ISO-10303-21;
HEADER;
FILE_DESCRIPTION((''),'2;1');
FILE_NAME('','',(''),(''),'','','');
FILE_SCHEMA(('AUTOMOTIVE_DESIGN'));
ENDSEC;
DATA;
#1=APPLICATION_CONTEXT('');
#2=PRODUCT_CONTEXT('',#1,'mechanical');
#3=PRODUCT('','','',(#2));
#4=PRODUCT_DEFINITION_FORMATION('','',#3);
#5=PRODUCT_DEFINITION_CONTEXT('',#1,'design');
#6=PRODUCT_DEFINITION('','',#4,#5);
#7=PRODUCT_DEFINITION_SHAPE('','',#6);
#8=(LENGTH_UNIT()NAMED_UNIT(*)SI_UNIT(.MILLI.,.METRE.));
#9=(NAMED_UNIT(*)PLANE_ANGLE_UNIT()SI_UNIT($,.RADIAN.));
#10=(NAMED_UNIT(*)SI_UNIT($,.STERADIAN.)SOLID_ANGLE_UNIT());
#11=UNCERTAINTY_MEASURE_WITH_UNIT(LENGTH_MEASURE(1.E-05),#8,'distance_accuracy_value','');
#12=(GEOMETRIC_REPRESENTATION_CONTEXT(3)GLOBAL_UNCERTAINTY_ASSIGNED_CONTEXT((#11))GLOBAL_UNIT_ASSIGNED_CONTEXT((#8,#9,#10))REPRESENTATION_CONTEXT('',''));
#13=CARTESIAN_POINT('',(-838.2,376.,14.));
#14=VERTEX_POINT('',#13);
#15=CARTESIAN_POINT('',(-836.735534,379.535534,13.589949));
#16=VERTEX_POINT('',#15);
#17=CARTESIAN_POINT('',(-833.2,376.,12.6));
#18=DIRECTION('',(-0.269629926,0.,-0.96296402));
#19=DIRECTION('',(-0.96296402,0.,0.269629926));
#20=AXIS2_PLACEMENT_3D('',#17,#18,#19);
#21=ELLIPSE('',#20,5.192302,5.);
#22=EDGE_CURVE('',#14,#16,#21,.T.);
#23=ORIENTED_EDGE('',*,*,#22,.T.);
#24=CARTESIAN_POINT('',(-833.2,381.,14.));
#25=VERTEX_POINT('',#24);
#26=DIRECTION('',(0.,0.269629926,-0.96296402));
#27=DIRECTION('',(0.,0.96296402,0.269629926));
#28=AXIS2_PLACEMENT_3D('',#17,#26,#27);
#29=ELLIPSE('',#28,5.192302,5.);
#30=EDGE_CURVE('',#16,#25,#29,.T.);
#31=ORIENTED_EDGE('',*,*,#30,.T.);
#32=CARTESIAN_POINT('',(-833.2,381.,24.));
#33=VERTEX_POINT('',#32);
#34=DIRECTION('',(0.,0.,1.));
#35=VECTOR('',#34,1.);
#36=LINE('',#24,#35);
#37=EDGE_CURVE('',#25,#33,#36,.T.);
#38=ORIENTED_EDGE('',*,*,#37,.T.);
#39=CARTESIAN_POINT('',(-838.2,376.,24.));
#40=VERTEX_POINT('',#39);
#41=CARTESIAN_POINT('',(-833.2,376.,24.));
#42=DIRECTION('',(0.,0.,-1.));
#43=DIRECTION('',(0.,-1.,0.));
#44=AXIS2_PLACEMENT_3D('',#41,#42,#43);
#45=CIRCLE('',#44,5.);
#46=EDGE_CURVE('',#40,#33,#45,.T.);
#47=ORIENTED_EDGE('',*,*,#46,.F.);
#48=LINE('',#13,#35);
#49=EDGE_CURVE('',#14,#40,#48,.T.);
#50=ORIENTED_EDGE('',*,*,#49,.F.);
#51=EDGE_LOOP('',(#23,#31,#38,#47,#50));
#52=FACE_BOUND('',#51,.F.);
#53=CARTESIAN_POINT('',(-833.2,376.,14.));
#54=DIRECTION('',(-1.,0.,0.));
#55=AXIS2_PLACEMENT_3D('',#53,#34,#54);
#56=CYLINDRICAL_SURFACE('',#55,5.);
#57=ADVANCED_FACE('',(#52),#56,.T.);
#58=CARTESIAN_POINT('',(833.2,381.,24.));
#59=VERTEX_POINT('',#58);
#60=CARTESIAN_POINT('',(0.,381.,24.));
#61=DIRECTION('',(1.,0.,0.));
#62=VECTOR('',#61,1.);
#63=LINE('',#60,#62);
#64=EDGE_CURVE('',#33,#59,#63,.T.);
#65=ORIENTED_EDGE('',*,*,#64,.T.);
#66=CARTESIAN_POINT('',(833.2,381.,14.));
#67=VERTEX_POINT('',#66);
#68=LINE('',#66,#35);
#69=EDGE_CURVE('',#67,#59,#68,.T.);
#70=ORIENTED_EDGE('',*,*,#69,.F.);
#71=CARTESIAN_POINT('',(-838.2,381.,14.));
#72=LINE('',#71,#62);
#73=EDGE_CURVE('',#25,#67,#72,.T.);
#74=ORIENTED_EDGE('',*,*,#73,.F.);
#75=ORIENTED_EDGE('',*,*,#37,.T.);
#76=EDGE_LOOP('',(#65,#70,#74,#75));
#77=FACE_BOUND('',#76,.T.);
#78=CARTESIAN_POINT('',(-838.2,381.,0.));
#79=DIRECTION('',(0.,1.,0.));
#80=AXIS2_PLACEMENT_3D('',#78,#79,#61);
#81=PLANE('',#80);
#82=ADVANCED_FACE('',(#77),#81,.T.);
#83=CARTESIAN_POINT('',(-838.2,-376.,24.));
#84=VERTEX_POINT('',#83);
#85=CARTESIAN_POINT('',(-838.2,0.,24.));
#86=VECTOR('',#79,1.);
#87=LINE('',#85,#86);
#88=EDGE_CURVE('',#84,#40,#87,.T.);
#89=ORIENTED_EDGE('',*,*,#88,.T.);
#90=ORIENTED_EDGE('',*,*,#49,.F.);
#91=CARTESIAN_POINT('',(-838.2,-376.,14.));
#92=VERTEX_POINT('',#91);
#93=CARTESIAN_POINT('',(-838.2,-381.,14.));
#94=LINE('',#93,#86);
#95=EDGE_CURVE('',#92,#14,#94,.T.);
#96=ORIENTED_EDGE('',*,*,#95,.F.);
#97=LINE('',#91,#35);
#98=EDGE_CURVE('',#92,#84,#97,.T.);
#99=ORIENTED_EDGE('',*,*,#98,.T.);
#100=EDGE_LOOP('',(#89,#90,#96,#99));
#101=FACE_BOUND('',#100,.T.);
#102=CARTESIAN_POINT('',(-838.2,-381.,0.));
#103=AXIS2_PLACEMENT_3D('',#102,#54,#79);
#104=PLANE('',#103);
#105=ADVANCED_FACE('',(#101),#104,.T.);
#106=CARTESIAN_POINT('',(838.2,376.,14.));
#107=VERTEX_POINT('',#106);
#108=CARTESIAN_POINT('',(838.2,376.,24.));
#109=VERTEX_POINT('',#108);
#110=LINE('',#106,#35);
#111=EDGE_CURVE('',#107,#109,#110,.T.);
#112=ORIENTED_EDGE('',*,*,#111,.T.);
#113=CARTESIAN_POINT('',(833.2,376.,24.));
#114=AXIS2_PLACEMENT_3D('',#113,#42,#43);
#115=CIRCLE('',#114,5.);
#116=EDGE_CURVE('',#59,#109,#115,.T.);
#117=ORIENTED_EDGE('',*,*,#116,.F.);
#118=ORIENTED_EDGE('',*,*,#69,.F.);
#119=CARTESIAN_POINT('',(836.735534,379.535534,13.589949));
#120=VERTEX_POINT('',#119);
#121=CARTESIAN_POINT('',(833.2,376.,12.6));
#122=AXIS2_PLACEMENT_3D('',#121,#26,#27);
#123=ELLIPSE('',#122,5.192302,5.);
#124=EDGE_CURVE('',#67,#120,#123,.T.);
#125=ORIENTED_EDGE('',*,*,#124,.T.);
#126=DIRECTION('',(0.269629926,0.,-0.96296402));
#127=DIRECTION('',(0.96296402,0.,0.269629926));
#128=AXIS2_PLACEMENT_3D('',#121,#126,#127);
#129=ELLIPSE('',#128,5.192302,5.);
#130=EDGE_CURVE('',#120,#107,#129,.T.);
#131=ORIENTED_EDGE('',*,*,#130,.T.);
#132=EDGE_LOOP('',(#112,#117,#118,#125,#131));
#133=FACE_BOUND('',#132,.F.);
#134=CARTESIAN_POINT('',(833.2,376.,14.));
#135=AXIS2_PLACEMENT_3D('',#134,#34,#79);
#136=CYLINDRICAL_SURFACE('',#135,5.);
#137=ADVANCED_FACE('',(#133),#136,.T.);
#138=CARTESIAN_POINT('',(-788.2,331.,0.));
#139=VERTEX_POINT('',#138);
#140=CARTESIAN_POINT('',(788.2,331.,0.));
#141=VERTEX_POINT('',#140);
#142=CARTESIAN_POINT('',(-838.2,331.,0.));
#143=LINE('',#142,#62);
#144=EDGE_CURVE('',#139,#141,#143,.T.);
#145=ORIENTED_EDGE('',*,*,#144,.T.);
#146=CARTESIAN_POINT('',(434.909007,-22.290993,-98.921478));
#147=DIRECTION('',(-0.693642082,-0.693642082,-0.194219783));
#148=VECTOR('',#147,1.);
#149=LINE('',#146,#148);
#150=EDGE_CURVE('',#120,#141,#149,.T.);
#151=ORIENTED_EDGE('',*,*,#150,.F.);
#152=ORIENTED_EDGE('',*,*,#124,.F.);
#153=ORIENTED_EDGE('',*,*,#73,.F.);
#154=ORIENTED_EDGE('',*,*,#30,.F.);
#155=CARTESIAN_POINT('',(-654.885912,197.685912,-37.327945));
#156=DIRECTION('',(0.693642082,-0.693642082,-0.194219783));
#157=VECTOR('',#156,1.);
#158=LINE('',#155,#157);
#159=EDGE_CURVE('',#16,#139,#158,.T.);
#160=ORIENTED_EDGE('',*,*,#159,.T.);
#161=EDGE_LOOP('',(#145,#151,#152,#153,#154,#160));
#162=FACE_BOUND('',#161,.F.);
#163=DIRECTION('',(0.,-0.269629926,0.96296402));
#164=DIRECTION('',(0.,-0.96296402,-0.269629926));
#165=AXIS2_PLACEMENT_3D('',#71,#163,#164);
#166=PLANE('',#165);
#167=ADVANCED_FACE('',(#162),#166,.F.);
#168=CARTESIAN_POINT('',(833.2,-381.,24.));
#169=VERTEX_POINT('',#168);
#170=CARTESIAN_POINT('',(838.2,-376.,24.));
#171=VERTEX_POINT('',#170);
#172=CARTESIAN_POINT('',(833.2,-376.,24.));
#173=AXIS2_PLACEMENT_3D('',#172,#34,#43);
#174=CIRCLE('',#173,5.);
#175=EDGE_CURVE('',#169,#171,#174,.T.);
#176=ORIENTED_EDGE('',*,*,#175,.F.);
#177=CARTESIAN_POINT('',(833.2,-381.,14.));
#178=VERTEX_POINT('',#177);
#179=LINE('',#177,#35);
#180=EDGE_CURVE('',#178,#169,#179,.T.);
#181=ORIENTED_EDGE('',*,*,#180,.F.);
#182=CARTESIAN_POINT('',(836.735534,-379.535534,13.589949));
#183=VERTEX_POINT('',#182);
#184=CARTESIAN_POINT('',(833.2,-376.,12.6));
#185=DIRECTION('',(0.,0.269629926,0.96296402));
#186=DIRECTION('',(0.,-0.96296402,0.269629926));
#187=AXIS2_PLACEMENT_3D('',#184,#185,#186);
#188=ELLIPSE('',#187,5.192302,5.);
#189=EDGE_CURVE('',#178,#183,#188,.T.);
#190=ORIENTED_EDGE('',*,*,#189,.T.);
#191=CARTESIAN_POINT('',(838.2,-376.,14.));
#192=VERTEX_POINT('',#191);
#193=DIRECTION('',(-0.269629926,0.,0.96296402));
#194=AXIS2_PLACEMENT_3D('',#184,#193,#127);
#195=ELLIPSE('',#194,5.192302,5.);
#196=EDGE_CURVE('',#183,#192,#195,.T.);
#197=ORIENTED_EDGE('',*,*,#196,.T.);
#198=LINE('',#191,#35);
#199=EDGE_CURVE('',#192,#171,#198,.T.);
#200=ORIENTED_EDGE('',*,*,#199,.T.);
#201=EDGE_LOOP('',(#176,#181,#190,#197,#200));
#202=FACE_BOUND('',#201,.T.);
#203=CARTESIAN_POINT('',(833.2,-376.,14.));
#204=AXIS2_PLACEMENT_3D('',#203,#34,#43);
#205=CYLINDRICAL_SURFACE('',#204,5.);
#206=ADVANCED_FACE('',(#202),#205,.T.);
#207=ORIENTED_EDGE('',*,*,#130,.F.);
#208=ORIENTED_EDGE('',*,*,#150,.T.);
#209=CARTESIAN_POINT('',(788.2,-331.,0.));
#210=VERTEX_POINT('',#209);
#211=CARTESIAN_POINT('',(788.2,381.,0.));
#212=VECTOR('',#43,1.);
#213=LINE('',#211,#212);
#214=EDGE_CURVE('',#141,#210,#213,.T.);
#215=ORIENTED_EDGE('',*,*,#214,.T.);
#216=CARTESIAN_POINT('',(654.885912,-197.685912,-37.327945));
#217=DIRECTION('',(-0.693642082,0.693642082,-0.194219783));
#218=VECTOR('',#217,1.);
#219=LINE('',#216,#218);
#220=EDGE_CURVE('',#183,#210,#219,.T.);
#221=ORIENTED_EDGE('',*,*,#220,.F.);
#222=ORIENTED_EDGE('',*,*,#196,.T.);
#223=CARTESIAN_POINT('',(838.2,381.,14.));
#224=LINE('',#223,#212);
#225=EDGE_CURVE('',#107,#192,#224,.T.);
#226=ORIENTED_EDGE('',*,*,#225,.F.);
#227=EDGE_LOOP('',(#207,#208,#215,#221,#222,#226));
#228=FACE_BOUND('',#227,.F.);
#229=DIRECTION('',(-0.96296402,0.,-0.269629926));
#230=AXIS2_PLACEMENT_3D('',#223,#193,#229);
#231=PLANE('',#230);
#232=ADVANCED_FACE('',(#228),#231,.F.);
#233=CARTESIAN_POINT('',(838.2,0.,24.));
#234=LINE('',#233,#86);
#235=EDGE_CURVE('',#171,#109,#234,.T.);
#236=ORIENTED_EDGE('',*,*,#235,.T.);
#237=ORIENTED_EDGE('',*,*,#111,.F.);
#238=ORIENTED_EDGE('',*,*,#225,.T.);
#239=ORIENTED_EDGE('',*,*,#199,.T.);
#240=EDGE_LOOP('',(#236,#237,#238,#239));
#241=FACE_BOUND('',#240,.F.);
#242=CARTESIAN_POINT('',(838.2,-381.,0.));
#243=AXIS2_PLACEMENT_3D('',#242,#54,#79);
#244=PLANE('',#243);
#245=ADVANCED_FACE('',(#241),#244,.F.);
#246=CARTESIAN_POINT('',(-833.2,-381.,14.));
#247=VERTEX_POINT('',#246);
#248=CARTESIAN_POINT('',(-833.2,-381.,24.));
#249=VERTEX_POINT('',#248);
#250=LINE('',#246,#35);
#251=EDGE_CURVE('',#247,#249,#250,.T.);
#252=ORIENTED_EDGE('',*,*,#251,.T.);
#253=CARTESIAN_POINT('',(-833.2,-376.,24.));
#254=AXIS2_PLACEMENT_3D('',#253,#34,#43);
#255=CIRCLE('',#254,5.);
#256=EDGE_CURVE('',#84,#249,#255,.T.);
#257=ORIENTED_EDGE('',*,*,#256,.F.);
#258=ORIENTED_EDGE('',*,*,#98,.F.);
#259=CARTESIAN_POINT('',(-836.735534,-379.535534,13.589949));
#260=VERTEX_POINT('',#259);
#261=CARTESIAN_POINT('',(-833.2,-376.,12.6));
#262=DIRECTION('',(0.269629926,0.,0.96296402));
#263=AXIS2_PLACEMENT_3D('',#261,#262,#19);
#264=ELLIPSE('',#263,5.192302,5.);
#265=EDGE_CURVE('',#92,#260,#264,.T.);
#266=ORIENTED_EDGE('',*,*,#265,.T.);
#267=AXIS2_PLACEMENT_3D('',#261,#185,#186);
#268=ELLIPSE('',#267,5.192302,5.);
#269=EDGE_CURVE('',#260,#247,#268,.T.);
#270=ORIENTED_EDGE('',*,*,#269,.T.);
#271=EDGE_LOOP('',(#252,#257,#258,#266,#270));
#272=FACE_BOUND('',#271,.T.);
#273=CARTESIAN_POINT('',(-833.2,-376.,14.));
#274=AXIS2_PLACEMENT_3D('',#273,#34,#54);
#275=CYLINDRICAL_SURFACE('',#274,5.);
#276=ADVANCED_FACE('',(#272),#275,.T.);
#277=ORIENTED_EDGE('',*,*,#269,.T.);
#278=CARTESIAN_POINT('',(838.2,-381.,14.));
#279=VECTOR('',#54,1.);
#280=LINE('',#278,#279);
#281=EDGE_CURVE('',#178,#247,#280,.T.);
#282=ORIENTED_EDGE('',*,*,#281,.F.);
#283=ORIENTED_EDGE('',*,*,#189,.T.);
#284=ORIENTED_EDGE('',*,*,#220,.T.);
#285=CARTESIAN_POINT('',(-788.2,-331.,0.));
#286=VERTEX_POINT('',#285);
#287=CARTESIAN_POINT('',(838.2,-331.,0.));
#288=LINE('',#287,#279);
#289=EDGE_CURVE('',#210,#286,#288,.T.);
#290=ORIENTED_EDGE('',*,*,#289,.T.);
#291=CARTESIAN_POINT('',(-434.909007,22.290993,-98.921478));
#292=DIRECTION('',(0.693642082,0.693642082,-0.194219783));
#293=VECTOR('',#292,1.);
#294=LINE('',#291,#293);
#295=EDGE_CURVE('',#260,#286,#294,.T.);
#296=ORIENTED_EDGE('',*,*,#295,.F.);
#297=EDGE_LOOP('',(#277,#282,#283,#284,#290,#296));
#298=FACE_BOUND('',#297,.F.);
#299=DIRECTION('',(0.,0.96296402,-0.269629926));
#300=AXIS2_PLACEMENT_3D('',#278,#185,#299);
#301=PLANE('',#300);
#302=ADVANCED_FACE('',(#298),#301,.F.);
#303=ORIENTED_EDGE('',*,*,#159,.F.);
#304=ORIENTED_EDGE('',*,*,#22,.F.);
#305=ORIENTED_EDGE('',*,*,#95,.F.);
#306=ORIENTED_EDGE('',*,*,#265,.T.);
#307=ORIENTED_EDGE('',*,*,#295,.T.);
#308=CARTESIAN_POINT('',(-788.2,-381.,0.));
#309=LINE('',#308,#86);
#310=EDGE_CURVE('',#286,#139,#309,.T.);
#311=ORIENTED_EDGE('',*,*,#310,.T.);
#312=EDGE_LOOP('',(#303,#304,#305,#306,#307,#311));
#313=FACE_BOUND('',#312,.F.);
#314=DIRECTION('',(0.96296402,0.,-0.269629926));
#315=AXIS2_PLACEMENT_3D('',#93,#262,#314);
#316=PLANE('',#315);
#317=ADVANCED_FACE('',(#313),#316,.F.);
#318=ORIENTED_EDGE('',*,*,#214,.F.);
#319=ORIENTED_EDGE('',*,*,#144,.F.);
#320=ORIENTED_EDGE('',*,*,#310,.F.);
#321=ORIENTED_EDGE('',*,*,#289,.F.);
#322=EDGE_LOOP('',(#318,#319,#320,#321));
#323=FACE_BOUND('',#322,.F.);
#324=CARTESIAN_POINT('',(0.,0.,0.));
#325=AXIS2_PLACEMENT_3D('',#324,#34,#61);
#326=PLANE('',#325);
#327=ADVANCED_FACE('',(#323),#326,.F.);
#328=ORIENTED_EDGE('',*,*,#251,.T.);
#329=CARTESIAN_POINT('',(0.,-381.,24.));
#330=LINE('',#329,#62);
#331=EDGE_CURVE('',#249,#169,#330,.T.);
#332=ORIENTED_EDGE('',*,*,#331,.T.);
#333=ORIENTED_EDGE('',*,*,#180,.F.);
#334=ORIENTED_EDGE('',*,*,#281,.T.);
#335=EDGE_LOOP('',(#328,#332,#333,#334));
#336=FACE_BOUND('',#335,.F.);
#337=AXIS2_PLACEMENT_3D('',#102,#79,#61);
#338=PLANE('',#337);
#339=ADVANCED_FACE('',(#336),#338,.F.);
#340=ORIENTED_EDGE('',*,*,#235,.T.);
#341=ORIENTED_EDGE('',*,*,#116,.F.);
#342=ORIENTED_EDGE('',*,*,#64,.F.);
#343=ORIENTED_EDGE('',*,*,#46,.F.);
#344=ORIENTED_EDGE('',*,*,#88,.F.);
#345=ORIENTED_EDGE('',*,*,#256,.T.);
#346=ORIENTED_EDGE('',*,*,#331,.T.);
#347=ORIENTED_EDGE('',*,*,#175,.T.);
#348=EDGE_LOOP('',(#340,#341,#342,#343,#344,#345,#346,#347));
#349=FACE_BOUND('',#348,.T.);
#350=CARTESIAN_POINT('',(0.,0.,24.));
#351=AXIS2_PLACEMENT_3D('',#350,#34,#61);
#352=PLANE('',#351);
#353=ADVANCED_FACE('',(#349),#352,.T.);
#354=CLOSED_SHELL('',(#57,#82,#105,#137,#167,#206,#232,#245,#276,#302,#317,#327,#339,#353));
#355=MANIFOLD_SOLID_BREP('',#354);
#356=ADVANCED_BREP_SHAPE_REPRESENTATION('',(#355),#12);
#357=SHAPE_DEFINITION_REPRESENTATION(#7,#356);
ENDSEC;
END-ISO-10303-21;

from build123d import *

# Parameters (mm, degrees)
F0_W     = 1676.4
F0_H     = 762
F1_DEPTH = 24
F5_R     = 5


with BuildPart() as f1:
    # F0 (on Top) → F1 (new body)
    with BuildSketch(Plane.XY):
        Rectangle(F0_W, F0_H)
    extrude(amount=F1_DEPTH)

    # F4: sweep along a path in F3
    with BuildLine(Plane(origin=(0, 0, 0), x_dir=(1, 0, 0), z_dir=(0, 0, -1))) as f4_path:
        Line((838.2, 381), (-838.2, 381))
        Line((-838.2, 381), (-838.2, -381))
        Line((-838.2, -381), (838.2, -381))
        Line((838.2, -381), (838.2, 381))
    # F2 (on face) → F4 (sweep, cut)
    with BuildSketch(Plane.YZ.offset(838.2)):
        Polygon((381, 14), (331, 0), (381, 0), align=None)
    sweep(path=f4_path.line, transition=Transition.RIGHT, mode=Mode.SUBTRACT)

    # F5
    f5_edges = [f1.edges().sort_by_distance(p)[0] for p in [
        (838.2, 381, 19),
        (838.2, -381, 19),
        (-838.2, 381, 19),
        (-838.2, -381, 19),
    ]]
    fillet(f5_edges, radius=F5_R)


solid = f1.part
